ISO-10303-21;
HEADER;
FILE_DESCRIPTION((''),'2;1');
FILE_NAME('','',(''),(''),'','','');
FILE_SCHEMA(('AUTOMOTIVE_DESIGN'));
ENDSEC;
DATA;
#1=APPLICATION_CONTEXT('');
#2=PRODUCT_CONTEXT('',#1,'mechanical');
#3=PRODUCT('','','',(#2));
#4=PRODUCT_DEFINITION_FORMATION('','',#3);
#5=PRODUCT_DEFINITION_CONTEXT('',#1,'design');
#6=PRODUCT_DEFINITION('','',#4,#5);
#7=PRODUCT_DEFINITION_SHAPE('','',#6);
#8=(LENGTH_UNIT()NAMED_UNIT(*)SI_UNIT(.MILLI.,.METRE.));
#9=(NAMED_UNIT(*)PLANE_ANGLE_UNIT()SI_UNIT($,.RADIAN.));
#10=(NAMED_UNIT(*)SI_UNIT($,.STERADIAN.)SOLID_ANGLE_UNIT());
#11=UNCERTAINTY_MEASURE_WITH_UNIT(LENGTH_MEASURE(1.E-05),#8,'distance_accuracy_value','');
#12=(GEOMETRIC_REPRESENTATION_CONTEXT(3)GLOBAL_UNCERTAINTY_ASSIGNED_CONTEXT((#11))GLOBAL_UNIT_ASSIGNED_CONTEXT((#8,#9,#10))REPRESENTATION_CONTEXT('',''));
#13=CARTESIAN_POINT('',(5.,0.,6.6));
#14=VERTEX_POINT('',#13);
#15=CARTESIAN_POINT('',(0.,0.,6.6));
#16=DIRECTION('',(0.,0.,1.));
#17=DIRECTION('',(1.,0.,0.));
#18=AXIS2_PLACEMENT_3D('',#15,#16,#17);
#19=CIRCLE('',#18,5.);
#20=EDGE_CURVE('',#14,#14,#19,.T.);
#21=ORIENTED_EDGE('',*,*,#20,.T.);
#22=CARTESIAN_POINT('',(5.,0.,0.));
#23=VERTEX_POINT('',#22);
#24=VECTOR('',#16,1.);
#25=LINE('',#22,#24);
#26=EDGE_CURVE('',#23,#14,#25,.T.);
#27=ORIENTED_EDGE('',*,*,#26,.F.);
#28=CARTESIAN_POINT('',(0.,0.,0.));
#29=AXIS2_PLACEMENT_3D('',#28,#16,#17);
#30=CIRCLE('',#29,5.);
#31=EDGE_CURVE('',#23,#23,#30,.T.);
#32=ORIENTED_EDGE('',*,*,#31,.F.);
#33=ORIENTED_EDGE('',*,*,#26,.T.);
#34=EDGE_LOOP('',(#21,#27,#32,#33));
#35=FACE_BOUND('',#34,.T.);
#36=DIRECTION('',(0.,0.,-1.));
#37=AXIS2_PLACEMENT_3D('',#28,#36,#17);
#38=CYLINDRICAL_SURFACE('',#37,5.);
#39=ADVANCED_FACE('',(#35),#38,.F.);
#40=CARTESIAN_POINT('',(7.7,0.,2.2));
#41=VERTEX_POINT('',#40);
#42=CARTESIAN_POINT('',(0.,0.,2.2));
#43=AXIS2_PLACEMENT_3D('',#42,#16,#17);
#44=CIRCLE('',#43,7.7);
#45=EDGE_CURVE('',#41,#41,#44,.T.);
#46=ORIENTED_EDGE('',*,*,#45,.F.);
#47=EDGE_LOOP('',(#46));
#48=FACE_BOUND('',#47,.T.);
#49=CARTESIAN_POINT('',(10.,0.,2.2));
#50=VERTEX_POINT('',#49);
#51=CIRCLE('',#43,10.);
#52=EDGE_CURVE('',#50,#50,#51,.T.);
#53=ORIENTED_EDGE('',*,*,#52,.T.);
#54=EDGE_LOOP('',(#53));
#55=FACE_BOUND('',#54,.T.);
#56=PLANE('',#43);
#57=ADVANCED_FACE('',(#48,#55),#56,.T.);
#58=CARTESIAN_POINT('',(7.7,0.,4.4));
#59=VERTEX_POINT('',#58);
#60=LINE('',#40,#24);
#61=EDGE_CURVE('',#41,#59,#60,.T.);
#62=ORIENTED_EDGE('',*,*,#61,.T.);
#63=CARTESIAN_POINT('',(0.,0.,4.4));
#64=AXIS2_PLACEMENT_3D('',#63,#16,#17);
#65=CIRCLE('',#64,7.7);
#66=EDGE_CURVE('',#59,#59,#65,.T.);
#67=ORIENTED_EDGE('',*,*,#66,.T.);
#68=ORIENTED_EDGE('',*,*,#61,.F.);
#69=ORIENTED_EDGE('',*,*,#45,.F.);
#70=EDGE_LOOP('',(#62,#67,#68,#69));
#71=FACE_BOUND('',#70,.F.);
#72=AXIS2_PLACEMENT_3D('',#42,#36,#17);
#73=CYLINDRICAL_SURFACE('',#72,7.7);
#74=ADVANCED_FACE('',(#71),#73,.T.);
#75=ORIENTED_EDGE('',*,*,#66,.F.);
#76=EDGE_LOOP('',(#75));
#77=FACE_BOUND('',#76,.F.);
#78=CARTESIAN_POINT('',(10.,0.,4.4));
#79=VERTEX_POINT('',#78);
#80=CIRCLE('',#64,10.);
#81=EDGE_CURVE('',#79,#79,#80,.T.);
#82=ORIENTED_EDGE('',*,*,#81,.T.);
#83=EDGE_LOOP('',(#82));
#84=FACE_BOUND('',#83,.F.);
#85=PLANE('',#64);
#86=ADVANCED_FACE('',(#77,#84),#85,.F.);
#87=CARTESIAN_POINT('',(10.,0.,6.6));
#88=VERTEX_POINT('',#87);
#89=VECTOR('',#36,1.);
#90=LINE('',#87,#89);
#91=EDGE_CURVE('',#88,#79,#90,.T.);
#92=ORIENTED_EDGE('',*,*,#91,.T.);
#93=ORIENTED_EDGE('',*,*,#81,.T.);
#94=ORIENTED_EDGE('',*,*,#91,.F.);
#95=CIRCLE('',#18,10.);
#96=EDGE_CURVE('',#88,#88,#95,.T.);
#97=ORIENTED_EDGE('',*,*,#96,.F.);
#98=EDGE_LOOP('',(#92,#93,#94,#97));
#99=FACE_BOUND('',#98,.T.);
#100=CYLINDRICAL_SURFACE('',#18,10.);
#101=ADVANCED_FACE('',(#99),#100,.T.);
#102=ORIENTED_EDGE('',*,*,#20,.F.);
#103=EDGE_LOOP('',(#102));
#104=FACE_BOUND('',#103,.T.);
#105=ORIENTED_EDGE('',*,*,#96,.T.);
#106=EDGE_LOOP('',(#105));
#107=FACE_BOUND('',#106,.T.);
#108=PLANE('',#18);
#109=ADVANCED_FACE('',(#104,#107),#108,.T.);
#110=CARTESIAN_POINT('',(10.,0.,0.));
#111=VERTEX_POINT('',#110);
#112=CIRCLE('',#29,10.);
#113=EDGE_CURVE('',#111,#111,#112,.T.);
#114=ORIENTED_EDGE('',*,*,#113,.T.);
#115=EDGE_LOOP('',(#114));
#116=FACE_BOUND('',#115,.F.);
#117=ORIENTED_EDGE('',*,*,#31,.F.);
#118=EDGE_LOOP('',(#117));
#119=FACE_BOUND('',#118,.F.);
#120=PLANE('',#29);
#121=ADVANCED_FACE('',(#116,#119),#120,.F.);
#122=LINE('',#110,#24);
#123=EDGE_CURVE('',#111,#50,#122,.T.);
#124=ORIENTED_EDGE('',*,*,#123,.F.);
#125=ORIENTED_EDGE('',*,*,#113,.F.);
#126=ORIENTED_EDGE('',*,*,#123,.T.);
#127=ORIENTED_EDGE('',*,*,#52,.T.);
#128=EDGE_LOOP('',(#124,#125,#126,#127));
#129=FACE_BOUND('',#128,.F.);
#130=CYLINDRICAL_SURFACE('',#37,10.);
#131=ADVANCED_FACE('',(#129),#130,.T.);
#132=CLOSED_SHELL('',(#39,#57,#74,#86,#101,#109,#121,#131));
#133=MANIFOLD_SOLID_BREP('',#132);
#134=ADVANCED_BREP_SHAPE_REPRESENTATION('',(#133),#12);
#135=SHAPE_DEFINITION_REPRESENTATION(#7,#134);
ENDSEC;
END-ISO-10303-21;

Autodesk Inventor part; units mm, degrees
ref_plane "YZ Plane" through (0, 0, 0) normal (1, 0, 0) x (0, 1, 0)
ref_plane "XZ Plane" through (0, 0, 0) normal (0, 1, 0) x (-1, 0, 0)
ref_plane "XY Plane" through (0, 0, 0) normal (0, 0, 1) x (1, 0, 0)
sketch "Sketch1" plane through (0, 0, 0) normal (0, 0, 1) x (1, 0, 0)
  circle A0 centre (0, 0) radius 5
  circle A1 centre (0, 0) radius 10
  dimension "d0" = 10
  dimension "d1" = 20
extrude "Extrusion1" add sketch "Sketch1" along normal blind 2.2
sketch "Sketch2" plane through (0, 0, 2.2) normal (0, 0, 1) x (1, 0, 0)
  circle A0 centre (0, 0) radius 5 projected
  circle A1 centre (0, 0) radius 10 projected
  circle A2 centre (0, 0) radius 7.7
  dimension "d4" = 15.4
extrude "Extrusion2" add sketch "Sketch2" along normal blind 4.4 contours A2
sketch "Sketch3" plane through (0, 0, 6.6) normal (0, 0, 1) x (1, 0, 0)
  circle A0 centre (0, 0) radius 7.7 projected
  circle A1 centre (0, 0) radius 10
extrude "Extrusion3" add sketch "Sketch3" against normal blind 2.2
properties part number "pulley_wheel" material "Steel"
